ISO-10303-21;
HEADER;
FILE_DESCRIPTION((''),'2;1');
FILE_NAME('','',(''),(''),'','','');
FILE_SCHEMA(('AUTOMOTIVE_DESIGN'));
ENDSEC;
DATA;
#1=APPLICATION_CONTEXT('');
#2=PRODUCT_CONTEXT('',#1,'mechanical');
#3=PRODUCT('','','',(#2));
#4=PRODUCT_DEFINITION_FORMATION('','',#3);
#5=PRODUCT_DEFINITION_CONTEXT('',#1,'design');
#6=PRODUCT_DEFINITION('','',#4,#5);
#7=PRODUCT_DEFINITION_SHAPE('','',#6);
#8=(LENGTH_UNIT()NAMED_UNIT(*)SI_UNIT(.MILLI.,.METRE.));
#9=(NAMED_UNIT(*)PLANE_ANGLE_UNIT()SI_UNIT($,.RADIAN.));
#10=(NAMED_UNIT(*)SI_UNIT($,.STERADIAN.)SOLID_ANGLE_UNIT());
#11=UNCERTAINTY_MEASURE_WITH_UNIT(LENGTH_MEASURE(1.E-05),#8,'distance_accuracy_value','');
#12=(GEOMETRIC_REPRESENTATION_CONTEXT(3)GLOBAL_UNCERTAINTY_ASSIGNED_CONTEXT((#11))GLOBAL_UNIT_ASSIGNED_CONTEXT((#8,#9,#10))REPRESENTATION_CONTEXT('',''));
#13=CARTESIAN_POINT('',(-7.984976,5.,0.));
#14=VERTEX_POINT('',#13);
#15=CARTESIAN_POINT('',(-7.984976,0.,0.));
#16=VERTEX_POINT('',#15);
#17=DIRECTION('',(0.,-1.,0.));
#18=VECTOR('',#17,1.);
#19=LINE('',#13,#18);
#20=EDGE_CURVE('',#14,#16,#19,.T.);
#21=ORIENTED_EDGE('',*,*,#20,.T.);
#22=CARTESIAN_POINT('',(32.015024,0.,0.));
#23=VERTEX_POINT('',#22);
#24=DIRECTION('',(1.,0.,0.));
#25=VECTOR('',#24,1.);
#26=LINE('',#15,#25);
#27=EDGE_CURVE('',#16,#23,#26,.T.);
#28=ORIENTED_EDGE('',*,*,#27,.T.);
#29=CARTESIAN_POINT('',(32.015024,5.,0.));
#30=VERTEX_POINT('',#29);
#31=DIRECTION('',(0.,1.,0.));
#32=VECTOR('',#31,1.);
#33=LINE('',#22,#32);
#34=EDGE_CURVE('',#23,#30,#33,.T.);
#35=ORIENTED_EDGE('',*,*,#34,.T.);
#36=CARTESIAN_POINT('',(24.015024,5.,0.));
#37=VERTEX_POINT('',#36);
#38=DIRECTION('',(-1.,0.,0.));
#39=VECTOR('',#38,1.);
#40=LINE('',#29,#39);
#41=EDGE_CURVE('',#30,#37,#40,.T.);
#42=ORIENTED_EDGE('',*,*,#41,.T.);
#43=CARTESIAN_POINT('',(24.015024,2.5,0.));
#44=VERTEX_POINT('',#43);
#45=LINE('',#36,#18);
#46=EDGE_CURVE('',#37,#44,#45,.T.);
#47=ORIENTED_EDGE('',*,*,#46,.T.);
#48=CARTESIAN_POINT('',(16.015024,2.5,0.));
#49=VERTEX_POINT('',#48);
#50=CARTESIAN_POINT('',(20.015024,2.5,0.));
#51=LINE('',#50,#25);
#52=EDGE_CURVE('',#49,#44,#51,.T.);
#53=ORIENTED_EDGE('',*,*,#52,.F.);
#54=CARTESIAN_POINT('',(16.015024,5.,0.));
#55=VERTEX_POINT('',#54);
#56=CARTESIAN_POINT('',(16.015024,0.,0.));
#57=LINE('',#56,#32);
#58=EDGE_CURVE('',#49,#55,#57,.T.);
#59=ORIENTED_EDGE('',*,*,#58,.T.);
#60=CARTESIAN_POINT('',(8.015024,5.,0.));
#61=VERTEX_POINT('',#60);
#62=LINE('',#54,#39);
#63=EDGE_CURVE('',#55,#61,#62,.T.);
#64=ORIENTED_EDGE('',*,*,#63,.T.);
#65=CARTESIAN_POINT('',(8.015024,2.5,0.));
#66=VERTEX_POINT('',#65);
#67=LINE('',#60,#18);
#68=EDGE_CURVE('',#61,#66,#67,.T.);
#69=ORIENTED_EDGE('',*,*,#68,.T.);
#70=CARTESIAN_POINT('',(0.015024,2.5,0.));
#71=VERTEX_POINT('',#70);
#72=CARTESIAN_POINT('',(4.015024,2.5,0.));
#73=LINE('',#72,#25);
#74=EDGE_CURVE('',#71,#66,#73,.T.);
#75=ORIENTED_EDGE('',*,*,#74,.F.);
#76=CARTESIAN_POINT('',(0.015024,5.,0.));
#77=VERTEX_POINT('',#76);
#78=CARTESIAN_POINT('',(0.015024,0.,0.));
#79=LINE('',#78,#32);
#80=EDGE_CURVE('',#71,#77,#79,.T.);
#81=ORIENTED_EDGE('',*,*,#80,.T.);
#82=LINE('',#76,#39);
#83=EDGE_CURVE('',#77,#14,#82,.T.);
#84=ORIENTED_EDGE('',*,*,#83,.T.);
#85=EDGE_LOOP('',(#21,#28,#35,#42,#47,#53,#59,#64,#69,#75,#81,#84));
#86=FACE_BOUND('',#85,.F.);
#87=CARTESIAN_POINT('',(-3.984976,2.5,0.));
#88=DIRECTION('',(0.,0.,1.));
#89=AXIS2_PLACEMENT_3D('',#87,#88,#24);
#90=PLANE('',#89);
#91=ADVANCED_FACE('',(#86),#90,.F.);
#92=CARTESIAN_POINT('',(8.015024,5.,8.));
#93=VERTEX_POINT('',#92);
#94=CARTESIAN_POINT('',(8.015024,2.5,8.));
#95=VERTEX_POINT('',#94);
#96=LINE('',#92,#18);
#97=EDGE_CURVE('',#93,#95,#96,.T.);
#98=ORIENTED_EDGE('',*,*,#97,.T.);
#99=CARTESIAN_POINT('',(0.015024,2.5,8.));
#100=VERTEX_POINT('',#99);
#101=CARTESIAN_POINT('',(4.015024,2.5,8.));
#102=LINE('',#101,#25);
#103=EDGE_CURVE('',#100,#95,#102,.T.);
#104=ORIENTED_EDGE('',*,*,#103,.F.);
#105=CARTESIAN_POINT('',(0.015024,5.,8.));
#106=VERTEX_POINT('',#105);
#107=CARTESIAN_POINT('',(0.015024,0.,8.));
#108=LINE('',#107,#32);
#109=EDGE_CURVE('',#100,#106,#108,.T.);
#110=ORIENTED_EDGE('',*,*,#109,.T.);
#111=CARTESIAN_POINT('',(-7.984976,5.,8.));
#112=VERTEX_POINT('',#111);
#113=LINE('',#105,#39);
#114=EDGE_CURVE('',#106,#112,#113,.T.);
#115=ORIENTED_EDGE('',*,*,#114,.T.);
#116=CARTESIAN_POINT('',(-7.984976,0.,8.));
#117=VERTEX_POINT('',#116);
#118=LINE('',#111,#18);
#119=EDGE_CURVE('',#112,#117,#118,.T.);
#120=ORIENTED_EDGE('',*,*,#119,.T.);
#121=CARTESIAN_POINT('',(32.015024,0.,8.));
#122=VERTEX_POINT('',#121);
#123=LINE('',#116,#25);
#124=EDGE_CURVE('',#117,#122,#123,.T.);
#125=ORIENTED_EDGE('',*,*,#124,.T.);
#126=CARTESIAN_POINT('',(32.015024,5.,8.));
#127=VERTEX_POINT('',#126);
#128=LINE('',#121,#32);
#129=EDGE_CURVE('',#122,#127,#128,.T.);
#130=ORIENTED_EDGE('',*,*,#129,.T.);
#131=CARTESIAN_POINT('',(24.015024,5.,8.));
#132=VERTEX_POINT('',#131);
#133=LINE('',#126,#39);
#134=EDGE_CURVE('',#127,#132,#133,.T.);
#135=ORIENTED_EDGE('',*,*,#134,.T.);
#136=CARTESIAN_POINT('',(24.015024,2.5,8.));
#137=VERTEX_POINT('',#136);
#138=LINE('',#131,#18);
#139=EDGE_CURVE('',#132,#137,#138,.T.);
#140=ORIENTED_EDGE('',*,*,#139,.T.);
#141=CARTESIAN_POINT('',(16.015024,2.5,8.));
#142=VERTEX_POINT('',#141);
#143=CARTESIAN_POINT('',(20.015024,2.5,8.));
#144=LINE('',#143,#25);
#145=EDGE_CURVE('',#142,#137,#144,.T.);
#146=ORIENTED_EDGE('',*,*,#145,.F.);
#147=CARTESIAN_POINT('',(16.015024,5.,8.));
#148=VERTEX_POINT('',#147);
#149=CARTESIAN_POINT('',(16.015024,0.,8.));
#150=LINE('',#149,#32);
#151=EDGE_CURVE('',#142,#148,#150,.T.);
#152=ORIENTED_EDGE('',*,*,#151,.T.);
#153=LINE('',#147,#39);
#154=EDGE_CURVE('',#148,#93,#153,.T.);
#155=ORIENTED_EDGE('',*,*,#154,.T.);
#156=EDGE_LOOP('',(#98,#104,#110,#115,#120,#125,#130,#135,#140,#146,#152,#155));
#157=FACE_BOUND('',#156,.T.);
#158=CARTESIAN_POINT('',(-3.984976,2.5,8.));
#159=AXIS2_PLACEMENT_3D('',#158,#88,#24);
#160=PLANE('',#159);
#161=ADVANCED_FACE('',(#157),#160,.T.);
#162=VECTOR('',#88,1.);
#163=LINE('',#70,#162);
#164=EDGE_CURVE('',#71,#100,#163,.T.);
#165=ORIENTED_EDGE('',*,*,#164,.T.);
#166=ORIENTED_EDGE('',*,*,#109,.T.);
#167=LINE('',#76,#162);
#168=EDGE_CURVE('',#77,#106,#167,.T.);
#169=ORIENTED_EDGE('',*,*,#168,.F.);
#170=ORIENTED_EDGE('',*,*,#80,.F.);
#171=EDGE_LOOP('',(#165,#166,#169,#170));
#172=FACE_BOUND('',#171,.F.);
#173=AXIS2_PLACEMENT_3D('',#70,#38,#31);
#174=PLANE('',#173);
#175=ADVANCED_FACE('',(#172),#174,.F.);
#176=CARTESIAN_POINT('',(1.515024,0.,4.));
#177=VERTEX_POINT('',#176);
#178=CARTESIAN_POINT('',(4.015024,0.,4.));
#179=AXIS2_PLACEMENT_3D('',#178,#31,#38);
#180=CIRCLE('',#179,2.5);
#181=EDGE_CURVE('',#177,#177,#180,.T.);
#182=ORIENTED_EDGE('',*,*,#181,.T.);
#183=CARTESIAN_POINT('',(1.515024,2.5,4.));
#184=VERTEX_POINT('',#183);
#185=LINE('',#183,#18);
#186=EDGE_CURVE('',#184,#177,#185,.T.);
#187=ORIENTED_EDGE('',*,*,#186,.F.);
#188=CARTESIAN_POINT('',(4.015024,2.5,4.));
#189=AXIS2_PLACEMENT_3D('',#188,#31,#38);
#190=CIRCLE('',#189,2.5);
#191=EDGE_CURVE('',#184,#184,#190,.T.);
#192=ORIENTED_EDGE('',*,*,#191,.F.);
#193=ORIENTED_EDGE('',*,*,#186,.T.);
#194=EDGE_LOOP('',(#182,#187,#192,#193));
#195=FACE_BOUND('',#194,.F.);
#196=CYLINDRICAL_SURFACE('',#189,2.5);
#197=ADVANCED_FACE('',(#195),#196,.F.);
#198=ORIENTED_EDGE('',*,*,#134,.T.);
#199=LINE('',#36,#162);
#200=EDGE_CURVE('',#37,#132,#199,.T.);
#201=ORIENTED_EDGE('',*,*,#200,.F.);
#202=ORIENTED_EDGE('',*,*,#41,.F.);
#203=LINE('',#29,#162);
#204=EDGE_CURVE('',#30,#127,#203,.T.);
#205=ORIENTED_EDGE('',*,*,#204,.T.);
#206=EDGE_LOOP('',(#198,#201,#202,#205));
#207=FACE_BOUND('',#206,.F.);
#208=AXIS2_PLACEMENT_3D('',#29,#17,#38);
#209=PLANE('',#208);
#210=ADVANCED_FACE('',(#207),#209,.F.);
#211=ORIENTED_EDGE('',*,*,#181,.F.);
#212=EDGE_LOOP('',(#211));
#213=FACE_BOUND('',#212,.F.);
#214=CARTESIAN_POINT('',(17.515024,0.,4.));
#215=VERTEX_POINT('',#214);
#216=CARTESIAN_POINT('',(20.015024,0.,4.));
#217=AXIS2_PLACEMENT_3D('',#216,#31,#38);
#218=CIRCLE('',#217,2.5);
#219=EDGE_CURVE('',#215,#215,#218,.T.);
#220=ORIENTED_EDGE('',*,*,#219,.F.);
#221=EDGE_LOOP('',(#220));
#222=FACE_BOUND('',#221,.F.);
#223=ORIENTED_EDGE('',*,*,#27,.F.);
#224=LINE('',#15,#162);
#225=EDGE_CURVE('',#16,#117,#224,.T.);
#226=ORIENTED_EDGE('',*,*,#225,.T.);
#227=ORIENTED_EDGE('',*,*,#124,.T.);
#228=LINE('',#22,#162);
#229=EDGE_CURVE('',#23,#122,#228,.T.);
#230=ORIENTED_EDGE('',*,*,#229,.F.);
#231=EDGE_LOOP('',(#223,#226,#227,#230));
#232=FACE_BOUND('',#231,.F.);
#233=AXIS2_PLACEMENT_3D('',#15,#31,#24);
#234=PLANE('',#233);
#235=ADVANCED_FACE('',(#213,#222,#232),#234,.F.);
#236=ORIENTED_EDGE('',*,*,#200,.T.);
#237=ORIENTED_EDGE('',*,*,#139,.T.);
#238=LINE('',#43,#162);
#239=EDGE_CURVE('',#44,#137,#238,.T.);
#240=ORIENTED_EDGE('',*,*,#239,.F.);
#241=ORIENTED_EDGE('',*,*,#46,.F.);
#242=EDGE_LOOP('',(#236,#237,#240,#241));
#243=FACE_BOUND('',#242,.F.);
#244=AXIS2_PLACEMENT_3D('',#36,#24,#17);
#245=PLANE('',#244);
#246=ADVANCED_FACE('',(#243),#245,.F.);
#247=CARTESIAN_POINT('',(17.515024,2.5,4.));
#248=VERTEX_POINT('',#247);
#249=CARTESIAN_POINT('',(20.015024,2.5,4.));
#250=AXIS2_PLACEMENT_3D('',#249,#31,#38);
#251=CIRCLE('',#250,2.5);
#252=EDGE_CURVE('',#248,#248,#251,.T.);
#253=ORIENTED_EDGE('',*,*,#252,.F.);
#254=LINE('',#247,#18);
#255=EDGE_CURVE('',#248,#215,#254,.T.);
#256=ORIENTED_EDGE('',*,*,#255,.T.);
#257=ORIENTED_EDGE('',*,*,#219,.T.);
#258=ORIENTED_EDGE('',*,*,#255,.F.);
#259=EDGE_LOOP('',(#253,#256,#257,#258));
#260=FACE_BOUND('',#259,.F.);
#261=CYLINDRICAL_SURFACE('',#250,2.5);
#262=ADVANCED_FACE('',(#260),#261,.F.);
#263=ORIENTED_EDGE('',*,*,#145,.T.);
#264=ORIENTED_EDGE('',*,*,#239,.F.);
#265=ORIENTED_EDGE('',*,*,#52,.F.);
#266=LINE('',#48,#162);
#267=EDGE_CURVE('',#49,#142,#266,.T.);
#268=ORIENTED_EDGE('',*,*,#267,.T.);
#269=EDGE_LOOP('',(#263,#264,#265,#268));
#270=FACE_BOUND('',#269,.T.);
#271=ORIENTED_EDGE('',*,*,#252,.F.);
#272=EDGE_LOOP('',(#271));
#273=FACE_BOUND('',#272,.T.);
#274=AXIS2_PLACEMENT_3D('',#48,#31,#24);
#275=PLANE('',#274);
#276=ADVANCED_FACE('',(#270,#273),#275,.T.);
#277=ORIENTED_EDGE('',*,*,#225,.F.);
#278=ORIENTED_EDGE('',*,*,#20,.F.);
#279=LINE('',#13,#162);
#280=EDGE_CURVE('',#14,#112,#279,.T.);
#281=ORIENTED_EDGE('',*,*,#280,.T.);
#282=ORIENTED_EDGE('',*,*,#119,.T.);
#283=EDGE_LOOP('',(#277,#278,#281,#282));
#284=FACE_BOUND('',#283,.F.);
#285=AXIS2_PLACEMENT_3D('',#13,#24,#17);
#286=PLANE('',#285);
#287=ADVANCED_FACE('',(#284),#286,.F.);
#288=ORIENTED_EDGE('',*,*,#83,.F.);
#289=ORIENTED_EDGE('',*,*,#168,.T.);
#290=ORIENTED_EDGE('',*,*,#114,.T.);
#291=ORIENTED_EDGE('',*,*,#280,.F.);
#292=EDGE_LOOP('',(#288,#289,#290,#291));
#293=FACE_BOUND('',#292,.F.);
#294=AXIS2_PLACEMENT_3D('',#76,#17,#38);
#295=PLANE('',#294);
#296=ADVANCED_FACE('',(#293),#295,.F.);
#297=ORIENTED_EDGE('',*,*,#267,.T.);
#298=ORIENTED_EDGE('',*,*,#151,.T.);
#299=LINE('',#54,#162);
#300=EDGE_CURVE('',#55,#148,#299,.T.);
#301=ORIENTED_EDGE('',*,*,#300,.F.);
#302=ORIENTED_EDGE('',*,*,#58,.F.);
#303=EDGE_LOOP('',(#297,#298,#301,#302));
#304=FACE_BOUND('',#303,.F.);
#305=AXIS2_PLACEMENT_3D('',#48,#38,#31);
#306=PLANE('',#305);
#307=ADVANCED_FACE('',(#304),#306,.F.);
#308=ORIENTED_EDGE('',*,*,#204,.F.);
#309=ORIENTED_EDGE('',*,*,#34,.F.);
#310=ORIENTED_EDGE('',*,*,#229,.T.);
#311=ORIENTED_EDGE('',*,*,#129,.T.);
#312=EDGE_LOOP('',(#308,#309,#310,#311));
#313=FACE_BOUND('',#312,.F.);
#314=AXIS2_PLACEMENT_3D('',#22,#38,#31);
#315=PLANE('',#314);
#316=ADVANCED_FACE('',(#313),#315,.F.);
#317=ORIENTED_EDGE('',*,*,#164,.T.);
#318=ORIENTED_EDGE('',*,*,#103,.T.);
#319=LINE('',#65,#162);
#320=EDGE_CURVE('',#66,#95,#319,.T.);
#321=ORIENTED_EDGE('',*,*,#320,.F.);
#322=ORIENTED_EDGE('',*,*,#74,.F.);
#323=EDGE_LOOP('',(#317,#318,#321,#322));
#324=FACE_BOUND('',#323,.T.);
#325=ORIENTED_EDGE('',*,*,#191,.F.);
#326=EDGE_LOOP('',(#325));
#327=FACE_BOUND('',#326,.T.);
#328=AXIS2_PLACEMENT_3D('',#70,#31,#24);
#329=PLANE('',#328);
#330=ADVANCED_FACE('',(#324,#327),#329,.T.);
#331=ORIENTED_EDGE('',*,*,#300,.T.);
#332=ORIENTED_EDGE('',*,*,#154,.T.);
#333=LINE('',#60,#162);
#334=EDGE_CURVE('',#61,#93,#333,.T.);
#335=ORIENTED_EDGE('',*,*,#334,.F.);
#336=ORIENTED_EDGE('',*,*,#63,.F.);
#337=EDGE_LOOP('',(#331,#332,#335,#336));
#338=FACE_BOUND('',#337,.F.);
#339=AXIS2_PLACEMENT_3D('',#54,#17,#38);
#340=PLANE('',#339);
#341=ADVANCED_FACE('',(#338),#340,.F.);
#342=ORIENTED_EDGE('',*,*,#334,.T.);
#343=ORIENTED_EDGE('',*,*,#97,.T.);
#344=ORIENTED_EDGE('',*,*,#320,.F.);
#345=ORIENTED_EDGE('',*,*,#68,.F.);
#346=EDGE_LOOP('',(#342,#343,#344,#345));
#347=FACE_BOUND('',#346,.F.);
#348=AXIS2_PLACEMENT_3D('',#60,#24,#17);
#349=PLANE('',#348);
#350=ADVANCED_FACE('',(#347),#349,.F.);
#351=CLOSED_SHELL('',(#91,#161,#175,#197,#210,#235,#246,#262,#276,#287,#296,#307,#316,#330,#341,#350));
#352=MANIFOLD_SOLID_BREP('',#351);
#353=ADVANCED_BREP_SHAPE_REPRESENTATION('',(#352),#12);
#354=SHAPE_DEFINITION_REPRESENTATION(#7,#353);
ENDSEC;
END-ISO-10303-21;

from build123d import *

# Parameters (mm, degrees)
F0_W     = 8
F0_H     = 2.5
F1_DEPTH = 8
F2_R     = 2.5
F3_DEPTH = 4.05972


with BuildPart() as f1:
    # F0 (on Top) → F1 (new body)
    with BuildSketch(Plane.XY):
        Polygon((-7.984976, 5), (-7.984976, 0), (0.015024, 0), (0.015024, 2.5), (0.015024, 5), align=None)
        with Locations((4.015024, 1.25)):
            Rectangle(F0_W, F0_H)
        Polygon((8.015024, 2.5), (8.015024, 0), (16.015024, 0), (16.015024, 2.5), (16.015024, 5), (8.015024, 5), align=None)
        with Locations((20.015024, 1.25)):
            Rectangle(F0_W, F0_H)
        Polygon((24.015024, 2.5), (24.015024, 0), (32.015024, 0), (32.015024, 5), (24.015024, 5), align=None)
    extrude(amount=F1_DEPTH)

    # F2 (on face) → F3 (cut)
    with BuildSketch(Plane(origin=(0, 2.5, 0), x_dir=(-1, 0, 0), z_dir=(0, 1, 0))):
        with Locations((-20.015024, 4)):
            Circle(F2_R)
        with Locations((-4.015024, 4)):
            Circle(F2_R)
    extrude(amount=-F3_DEPTH, mode=Mode.SUBTRACT)


solid = f1.part
